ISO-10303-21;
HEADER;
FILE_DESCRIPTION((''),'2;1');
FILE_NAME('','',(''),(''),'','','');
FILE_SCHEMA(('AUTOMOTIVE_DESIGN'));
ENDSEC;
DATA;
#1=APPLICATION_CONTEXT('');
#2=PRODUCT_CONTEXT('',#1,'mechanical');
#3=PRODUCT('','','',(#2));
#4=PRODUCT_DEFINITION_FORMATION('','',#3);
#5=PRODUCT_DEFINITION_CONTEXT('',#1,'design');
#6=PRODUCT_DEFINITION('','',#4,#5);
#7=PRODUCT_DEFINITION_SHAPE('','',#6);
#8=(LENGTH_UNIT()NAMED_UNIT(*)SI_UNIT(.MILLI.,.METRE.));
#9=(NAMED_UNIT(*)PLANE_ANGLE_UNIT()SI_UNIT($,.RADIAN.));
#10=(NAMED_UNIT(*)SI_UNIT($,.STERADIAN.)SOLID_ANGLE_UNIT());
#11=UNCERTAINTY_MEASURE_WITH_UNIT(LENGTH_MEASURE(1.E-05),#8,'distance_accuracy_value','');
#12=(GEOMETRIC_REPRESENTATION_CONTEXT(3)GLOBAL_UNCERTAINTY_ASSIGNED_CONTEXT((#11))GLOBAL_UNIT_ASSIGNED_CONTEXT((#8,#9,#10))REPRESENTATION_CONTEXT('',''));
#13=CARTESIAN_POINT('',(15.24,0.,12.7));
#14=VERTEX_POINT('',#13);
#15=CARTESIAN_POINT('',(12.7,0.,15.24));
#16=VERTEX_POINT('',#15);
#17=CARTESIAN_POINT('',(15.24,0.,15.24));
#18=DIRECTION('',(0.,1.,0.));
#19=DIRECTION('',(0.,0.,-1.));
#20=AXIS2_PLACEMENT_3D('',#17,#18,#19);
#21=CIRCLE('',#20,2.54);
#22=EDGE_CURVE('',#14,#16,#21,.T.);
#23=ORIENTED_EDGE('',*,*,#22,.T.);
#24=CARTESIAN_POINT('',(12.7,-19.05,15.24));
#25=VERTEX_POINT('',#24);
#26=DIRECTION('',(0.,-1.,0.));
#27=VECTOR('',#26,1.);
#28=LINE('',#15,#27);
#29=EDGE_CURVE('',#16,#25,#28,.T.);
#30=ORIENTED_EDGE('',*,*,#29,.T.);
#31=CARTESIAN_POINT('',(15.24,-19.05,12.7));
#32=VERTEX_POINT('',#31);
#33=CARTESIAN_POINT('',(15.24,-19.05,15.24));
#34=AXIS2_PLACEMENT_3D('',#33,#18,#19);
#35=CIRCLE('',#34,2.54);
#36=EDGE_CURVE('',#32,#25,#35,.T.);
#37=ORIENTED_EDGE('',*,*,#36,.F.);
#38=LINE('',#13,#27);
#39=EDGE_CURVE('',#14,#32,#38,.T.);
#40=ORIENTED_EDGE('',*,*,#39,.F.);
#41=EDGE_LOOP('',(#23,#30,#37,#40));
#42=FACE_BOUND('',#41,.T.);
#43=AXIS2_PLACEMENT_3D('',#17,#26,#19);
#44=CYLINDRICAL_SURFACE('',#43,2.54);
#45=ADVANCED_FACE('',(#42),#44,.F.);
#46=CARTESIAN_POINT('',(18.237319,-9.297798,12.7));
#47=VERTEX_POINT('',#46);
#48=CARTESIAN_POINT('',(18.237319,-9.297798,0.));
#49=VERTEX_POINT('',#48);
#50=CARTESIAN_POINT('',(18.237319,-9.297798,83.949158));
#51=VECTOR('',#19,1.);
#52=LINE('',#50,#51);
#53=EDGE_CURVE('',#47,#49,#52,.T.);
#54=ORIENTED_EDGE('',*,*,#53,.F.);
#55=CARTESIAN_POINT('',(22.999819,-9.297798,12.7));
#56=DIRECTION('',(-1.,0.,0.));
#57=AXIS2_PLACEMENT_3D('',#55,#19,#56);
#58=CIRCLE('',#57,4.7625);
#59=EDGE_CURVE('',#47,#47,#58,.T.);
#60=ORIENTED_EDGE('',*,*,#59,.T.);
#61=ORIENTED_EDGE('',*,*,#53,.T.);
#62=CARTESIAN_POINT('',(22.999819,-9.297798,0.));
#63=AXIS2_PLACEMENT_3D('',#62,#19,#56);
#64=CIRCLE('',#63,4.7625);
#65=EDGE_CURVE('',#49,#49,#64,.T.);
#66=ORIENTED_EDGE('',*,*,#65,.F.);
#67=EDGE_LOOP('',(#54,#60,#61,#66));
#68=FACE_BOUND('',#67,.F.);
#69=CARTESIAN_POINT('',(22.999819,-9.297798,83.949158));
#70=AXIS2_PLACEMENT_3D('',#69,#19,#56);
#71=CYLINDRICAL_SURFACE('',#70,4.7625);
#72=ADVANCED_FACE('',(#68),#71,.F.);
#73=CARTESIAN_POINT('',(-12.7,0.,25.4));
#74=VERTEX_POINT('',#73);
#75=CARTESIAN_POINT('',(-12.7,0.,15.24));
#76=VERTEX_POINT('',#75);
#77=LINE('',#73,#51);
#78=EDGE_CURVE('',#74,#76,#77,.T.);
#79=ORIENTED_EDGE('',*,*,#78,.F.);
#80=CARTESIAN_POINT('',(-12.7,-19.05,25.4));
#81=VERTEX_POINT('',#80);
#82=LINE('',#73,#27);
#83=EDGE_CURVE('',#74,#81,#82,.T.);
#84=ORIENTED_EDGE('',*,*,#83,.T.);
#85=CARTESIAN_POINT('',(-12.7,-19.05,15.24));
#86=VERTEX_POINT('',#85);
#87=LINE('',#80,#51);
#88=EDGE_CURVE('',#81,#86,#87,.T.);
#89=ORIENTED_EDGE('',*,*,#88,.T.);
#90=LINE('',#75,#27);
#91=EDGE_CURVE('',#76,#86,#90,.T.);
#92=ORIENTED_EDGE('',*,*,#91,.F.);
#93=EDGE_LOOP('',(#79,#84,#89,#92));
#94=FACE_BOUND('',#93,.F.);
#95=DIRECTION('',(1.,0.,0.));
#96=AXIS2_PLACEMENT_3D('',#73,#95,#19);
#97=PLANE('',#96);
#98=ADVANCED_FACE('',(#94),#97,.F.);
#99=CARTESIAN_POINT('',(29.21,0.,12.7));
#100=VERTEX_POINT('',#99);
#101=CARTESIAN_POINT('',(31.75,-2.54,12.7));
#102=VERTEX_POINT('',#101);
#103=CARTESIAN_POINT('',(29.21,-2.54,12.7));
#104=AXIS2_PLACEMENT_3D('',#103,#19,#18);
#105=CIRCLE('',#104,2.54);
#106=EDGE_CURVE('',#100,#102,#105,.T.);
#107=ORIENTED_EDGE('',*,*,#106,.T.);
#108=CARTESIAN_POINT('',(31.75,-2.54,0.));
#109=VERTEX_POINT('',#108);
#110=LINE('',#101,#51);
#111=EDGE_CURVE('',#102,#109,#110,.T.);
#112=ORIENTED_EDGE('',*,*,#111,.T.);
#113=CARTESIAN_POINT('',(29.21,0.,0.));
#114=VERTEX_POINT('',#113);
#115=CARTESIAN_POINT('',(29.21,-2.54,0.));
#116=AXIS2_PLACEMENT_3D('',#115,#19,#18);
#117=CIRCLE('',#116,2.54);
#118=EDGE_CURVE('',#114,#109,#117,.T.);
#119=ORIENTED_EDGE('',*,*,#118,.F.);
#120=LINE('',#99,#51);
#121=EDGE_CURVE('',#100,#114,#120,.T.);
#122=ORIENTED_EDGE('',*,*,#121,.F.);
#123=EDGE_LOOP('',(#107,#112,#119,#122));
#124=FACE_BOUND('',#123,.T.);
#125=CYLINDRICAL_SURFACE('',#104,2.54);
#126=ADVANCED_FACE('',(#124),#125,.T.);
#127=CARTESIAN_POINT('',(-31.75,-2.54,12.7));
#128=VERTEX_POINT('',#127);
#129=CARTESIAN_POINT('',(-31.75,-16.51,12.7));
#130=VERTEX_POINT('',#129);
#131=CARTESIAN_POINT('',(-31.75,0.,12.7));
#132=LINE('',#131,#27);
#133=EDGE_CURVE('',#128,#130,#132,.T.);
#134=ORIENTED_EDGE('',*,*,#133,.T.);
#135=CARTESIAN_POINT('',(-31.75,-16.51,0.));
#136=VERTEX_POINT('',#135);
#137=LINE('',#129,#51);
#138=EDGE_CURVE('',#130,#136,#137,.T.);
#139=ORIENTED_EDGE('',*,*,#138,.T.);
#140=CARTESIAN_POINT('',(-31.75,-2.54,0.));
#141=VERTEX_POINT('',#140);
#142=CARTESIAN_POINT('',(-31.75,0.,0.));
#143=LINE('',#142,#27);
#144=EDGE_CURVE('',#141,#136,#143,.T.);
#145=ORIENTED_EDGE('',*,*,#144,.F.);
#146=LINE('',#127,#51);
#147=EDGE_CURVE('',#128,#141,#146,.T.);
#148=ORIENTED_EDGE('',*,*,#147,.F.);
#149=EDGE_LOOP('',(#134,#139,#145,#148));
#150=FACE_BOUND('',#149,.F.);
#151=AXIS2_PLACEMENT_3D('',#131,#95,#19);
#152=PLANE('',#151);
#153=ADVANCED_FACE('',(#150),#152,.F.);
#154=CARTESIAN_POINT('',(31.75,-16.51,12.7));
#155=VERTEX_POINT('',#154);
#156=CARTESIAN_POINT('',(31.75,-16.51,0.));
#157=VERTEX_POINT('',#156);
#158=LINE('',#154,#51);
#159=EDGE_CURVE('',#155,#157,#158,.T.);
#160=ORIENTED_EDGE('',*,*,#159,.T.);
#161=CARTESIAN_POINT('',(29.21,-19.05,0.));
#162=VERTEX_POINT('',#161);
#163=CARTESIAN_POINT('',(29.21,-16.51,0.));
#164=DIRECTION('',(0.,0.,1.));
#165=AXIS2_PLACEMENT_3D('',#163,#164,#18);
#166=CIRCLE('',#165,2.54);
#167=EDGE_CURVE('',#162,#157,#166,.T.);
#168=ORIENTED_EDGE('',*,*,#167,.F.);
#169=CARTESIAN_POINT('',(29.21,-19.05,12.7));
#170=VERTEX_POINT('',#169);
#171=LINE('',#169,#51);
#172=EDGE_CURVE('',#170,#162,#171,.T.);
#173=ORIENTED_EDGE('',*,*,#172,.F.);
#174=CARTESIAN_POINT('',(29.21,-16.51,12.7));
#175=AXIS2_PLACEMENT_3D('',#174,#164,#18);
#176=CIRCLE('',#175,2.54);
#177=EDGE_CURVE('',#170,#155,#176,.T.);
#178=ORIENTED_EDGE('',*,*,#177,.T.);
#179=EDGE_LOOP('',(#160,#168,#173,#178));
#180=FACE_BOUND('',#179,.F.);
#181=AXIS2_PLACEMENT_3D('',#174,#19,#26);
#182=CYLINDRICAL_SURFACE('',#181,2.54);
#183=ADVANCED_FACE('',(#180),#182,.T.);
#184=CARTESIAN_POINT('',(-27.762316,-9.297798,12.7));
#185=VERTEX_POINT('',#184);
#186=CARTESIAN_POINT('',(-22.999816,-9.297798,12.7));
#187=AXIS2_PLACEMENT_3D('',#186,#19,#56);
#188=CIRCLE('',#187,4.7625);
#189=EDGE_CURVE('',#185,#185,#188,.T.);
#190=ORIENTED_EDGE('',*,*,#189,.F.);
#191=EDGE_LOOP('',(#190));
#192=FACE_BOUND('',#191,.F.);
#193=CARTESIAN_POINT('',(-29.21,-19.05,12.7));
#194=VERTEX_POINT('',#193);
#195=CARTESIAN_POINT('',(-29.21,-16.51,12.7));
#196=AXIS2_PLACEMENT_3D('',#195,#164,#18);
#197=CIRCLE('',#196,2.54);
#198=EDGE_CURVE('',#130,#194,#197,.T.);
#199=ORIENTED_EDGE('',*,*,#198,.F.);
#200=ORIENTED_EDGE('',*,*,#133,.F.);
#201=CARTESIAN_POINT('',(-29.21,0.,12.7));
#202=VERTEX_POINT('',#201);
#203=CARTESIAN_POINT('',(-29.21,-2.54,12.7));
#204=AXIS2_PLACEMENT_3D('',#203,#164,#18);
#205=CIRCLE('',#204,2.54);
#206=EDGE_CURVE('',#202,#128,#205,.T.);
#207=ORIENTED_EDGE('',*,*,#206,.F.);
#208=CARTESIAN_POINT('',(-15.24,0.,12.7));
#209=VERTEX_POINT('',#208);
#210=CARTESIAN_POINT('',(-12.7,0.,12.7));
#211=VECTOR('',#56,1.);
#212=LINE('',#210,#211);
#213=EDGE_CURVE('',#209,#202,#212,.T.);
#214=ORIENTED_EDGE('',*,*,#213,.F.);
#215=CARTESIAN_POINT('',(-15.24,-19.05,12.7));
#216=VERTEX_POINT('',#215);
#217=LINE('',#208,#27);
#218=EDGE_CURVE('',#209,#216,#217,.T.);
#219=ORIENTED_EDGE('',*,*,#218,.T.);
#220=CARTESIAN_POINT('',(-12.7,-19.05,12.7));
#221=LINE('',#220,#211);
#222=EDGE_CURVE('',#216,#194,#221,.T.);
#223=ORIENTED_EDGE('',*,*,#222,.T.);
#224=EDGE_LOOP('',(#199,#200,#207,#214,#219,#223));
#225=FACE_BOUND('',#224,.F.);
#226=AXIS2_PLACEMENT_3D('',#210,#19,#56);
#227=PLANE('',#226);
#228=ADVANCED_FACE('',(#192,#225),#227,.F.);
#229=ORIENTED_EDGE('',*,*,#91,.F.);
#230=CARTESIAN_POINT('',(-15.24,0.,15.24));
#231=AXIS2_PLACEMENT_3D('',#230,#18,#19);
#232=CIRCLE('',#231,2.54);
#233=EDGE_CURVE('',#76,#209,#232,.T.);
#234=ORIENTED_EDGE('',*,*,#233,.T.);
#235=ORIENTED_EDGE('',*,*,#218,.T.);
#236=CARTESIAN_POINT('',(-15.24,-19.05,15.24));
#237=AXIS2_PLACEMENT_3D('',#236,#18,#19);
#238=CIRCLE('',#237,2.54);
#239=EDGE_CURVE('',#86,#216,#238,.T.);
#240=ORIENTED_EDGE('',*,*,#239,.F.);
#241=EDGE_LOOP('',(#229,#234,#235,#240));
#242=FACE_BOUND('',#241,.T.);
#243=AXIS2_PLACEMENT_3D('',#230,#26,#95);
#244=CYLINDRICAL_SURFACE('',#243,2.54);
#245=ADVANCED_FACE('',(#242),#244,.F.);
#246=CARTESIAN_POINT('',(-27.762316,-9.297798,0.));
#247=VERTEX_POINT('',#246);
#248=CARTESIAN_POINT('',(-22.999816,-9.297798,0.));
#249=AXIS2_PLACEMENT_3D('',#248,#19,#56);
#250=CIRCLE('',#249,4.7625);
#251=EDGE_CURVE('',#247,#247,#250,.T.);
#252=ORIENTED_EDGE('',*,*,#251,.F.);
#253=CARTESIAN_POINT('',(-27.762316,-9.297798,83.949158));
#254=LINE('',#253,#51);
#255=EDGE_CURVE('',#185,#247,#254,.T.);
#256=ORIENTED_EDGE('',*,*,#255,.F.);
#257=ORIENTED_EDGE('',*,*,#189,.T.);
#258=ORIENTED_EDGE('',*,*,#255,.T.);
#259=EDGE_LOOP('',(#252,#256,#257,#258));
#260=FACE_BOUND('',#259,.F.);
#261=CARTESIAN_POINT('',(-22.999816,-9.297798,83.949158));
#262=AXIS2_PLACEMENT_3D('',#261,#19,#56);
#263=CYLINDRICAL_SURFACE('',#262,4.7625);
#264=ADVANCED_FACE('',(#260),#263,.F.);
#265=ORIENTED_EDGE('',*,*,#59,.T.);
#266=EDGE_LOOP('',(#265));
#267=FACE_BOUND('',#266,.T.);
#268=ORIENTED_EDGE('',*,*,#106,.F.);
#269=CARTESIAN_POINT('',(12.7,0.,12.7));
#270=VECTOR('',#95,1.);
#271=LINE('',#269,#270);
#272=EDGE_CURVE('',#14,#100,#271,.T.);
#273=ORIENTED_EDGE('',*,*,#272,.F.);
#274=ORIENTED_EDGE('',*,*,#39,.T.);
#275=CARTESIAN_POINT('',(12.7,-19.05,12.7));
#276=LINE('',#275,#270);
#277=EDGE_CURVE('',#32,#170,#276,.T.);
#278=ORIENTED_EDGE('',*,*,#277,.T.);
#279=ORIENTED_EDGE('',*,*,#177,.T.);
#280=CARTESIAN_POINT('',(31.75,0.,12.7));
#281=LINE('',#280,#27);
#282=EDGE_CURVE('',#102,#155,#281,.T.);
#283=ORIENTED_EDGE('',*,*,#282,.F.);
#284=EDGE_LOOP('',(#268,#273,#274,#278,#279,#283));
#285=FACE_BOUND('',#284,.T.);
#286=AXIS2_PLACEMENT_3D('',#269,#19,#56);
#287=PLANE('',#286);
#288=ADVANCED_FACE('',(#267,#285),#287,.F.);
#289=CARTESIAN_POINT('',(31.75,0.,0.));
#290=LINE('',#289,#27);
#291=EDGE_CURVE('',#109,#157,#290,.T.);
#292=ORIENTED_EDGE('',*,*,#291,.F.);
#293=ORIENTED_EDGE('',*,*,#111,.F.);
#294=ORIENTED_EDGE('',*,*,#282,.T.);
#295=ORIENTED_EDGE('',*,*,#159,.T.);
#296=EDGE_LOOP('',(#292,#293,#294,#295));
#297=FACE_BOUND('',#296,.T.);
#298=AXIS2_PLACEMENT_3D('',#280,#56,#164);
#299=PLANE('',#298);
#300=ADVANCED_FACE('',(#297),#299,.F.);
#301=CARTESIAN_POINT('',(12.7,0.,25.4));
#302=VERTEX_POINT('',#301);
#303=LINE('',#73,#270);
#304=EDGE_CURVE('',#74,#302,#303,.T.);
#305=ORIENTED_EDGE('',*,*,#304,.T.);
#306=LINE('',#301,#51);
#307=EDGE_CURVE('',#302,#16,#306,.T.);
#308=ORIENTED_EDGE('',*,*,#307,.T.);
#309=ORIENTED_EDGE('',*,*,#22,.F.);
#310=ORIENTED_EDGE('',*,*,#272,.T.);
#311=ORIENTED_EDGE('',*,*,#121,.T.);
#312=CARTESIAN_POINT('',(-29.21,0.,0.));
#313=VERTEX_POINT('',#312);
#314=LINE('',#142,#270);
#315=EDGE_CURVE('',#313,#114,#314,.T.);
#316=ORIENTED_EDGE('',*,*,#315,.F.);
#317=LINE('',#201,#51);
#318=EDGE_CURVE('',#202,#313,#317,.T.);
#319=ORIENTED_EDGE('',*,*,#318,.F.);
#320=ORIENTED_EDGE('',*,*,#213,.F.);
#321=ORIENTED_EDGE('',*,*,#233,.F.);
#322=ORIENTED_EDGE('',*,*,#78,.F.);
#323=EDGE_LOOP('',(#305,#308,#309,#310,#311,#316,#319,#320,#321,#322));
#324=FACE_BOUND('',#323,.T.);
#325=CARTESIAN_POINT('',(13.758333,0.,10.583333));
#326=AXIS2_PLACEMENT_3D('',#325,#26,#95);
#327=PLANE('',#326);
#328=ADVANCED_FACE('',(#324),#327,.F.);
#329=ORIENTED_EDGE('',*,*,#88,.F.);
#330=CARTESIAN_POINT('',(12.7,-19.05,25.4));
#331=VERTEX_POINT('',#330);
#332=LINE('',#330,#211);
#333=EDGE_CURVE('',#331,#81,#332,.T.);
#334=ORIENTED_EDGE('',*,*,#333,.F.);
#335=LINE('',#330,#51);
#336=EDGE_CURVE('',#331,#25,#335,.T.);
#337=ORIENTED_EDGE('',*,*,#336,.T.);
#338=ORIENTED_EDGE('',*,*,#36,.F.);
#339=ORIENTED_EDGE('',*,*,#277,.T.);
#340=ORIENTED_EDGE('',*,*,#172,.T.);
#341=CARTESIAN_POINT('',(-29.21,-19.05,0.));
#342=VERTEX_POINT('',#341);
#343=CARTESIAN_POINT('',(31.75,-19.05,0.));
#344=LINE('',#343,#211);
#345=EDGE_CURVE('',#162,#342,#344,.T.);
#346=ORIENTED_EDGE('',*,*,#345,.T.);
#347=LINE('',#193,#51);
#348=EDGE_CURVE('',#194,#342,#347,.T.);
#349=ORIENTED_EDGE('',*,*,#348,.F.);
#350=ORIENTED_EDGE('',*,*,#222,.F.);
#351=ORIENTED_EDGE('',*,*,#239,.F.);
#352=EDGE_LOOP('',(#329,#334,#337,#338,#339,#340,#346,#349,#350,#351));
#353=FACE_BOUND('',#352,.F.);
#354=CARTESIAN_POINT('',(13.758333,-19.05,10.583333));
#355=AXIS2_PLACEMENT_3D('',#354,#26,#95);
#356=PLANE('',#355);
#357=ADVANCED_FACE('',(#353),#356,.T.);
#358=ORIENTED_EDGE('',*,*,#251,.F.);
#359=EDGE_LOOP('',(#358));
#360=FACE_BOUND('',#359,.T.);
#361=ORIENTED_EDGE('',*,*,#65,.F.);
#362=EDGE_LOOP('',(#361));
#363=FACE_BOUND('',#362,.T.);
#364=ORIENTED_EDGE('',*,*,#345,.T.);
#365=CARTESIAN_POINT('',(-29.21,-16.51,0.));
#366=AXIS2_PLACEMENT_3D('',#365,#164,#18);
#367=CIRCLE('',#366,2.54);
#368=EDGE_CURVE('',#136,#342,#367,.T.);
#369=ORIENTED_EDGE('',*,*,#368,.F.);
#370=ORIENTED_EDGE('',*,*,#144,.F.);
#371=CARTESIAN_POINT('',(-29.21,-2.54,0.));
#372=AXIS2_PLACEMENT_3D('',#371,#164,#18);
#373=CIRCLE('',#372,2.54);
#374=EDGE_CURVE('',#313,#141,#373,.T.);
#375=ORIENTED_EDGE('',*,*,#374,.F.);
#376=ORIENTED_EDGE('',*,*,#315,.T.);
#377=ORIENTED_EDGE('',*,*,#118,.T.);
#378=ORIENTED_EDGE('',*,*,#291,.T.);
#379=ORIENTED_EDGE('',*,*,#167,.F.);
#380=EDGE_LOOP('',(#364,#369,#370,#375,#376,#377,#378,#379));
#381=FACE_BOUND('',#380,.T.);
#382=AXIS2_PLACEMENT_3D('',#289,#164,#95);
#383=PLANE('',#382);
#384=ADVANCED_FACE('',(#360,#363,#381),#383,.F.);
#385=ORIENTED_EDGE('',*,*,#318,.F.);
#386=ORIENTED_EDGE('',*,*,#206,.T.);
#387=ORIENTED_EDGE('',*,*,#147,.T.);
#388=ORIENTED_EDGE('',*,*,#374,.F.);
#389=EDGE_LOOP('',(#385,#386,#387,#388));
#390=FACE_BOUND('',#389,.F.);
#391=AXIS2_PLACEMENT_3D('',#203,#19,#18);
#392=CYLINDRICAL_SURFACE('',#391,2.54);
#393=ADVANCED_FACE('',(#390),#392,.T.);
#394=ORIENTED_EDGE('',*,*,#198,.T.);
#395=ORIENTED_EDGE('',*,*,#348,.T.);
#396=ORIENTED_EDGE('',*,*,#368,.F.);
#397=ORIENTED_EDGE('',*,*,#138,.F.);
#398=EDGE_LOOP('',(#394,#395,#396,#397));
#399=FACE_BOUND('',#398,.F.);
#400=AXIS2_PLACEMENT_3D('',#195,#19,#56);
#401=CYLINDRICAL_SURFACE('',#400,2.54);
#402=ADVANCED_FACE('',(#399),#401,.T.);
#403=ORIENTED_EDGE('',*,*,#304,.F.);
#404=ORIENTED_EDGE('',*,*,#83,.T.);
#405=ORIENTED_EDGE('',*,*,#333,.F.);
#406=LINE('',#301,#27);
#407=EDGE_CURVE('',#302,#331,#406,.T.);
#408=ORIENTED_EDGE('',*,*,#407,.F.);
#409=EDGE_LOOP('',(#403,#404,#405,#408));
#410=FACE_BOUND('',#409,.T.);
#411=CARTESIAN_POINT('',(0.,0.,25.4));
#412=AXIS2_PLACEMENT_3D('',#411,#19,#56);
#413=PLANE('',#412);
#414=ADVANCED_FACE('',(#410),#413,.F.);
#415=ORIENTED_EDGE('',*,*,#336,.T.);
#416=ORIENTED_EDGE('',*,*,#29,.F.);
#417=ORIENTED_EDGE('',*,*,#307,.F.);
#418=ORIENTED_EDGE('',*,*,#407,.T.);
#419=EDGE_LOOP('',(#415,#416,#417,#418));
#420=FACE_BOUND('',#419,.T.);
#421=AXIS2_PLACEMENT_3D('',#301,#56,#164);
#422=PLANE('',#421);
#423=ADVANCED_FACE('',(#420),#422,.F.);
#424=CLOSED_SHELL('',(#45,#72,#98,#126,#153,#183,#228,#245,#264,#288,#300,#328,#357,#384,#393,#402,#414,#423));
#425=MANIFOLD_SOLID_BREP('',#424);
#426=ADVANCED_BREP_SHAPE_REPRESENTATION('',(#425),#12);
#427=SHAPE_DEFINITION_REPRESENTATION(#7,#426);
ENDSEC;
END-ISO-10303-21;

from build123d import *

# Parameters (mm, degrees)
F1_DEPTH = 19.05
F3_R     = 2.54
F6_D     = 9.525


with BuildPart() as f1:
    # F0 (on Front) → F1 (new body)
    with BuildSketch(Plane.XZ):
        Polygon((-31.75, 0), (0, 0), (0, 25.4), (-12.7, 25.4), (-12.7, 12.7), (-31.75, 12.7), align=None)
    extrude(amount=F1_DEPTH)

    # F2: F1 across face


with BuildPart() as f1_1:
    add(f1.part)
    add(f1.part.mirror(Plane(origin=(0, -9.525, 12.7), x_dir=(0, 1, 0), z_dir=(1, 0, 0))))

    # F3
    f3_edges = [f1_1.edges().sort_by_distance(p)[0] for p in [
        (-31.75, -19.05, 6.35),
        (-31.75, 0, 6.35),
        (31.75, -19.05, 6.35),
        (31.75, 0, 6.35),
        (12.7, -9.525, 12.7),
        (-12.7, -9.525, 12.7),
    ]]
    fillet(f3_edges, radius=F3_R)

    # F6 (through all)
    with Locations(Plane.XY.offset(12.954)):
        with Locations((-22.9998156428, -9.2977983877), (22.9998193681, -9.2977983877)):
            Hole(F6_D / 2)


solid = f1_1.part
